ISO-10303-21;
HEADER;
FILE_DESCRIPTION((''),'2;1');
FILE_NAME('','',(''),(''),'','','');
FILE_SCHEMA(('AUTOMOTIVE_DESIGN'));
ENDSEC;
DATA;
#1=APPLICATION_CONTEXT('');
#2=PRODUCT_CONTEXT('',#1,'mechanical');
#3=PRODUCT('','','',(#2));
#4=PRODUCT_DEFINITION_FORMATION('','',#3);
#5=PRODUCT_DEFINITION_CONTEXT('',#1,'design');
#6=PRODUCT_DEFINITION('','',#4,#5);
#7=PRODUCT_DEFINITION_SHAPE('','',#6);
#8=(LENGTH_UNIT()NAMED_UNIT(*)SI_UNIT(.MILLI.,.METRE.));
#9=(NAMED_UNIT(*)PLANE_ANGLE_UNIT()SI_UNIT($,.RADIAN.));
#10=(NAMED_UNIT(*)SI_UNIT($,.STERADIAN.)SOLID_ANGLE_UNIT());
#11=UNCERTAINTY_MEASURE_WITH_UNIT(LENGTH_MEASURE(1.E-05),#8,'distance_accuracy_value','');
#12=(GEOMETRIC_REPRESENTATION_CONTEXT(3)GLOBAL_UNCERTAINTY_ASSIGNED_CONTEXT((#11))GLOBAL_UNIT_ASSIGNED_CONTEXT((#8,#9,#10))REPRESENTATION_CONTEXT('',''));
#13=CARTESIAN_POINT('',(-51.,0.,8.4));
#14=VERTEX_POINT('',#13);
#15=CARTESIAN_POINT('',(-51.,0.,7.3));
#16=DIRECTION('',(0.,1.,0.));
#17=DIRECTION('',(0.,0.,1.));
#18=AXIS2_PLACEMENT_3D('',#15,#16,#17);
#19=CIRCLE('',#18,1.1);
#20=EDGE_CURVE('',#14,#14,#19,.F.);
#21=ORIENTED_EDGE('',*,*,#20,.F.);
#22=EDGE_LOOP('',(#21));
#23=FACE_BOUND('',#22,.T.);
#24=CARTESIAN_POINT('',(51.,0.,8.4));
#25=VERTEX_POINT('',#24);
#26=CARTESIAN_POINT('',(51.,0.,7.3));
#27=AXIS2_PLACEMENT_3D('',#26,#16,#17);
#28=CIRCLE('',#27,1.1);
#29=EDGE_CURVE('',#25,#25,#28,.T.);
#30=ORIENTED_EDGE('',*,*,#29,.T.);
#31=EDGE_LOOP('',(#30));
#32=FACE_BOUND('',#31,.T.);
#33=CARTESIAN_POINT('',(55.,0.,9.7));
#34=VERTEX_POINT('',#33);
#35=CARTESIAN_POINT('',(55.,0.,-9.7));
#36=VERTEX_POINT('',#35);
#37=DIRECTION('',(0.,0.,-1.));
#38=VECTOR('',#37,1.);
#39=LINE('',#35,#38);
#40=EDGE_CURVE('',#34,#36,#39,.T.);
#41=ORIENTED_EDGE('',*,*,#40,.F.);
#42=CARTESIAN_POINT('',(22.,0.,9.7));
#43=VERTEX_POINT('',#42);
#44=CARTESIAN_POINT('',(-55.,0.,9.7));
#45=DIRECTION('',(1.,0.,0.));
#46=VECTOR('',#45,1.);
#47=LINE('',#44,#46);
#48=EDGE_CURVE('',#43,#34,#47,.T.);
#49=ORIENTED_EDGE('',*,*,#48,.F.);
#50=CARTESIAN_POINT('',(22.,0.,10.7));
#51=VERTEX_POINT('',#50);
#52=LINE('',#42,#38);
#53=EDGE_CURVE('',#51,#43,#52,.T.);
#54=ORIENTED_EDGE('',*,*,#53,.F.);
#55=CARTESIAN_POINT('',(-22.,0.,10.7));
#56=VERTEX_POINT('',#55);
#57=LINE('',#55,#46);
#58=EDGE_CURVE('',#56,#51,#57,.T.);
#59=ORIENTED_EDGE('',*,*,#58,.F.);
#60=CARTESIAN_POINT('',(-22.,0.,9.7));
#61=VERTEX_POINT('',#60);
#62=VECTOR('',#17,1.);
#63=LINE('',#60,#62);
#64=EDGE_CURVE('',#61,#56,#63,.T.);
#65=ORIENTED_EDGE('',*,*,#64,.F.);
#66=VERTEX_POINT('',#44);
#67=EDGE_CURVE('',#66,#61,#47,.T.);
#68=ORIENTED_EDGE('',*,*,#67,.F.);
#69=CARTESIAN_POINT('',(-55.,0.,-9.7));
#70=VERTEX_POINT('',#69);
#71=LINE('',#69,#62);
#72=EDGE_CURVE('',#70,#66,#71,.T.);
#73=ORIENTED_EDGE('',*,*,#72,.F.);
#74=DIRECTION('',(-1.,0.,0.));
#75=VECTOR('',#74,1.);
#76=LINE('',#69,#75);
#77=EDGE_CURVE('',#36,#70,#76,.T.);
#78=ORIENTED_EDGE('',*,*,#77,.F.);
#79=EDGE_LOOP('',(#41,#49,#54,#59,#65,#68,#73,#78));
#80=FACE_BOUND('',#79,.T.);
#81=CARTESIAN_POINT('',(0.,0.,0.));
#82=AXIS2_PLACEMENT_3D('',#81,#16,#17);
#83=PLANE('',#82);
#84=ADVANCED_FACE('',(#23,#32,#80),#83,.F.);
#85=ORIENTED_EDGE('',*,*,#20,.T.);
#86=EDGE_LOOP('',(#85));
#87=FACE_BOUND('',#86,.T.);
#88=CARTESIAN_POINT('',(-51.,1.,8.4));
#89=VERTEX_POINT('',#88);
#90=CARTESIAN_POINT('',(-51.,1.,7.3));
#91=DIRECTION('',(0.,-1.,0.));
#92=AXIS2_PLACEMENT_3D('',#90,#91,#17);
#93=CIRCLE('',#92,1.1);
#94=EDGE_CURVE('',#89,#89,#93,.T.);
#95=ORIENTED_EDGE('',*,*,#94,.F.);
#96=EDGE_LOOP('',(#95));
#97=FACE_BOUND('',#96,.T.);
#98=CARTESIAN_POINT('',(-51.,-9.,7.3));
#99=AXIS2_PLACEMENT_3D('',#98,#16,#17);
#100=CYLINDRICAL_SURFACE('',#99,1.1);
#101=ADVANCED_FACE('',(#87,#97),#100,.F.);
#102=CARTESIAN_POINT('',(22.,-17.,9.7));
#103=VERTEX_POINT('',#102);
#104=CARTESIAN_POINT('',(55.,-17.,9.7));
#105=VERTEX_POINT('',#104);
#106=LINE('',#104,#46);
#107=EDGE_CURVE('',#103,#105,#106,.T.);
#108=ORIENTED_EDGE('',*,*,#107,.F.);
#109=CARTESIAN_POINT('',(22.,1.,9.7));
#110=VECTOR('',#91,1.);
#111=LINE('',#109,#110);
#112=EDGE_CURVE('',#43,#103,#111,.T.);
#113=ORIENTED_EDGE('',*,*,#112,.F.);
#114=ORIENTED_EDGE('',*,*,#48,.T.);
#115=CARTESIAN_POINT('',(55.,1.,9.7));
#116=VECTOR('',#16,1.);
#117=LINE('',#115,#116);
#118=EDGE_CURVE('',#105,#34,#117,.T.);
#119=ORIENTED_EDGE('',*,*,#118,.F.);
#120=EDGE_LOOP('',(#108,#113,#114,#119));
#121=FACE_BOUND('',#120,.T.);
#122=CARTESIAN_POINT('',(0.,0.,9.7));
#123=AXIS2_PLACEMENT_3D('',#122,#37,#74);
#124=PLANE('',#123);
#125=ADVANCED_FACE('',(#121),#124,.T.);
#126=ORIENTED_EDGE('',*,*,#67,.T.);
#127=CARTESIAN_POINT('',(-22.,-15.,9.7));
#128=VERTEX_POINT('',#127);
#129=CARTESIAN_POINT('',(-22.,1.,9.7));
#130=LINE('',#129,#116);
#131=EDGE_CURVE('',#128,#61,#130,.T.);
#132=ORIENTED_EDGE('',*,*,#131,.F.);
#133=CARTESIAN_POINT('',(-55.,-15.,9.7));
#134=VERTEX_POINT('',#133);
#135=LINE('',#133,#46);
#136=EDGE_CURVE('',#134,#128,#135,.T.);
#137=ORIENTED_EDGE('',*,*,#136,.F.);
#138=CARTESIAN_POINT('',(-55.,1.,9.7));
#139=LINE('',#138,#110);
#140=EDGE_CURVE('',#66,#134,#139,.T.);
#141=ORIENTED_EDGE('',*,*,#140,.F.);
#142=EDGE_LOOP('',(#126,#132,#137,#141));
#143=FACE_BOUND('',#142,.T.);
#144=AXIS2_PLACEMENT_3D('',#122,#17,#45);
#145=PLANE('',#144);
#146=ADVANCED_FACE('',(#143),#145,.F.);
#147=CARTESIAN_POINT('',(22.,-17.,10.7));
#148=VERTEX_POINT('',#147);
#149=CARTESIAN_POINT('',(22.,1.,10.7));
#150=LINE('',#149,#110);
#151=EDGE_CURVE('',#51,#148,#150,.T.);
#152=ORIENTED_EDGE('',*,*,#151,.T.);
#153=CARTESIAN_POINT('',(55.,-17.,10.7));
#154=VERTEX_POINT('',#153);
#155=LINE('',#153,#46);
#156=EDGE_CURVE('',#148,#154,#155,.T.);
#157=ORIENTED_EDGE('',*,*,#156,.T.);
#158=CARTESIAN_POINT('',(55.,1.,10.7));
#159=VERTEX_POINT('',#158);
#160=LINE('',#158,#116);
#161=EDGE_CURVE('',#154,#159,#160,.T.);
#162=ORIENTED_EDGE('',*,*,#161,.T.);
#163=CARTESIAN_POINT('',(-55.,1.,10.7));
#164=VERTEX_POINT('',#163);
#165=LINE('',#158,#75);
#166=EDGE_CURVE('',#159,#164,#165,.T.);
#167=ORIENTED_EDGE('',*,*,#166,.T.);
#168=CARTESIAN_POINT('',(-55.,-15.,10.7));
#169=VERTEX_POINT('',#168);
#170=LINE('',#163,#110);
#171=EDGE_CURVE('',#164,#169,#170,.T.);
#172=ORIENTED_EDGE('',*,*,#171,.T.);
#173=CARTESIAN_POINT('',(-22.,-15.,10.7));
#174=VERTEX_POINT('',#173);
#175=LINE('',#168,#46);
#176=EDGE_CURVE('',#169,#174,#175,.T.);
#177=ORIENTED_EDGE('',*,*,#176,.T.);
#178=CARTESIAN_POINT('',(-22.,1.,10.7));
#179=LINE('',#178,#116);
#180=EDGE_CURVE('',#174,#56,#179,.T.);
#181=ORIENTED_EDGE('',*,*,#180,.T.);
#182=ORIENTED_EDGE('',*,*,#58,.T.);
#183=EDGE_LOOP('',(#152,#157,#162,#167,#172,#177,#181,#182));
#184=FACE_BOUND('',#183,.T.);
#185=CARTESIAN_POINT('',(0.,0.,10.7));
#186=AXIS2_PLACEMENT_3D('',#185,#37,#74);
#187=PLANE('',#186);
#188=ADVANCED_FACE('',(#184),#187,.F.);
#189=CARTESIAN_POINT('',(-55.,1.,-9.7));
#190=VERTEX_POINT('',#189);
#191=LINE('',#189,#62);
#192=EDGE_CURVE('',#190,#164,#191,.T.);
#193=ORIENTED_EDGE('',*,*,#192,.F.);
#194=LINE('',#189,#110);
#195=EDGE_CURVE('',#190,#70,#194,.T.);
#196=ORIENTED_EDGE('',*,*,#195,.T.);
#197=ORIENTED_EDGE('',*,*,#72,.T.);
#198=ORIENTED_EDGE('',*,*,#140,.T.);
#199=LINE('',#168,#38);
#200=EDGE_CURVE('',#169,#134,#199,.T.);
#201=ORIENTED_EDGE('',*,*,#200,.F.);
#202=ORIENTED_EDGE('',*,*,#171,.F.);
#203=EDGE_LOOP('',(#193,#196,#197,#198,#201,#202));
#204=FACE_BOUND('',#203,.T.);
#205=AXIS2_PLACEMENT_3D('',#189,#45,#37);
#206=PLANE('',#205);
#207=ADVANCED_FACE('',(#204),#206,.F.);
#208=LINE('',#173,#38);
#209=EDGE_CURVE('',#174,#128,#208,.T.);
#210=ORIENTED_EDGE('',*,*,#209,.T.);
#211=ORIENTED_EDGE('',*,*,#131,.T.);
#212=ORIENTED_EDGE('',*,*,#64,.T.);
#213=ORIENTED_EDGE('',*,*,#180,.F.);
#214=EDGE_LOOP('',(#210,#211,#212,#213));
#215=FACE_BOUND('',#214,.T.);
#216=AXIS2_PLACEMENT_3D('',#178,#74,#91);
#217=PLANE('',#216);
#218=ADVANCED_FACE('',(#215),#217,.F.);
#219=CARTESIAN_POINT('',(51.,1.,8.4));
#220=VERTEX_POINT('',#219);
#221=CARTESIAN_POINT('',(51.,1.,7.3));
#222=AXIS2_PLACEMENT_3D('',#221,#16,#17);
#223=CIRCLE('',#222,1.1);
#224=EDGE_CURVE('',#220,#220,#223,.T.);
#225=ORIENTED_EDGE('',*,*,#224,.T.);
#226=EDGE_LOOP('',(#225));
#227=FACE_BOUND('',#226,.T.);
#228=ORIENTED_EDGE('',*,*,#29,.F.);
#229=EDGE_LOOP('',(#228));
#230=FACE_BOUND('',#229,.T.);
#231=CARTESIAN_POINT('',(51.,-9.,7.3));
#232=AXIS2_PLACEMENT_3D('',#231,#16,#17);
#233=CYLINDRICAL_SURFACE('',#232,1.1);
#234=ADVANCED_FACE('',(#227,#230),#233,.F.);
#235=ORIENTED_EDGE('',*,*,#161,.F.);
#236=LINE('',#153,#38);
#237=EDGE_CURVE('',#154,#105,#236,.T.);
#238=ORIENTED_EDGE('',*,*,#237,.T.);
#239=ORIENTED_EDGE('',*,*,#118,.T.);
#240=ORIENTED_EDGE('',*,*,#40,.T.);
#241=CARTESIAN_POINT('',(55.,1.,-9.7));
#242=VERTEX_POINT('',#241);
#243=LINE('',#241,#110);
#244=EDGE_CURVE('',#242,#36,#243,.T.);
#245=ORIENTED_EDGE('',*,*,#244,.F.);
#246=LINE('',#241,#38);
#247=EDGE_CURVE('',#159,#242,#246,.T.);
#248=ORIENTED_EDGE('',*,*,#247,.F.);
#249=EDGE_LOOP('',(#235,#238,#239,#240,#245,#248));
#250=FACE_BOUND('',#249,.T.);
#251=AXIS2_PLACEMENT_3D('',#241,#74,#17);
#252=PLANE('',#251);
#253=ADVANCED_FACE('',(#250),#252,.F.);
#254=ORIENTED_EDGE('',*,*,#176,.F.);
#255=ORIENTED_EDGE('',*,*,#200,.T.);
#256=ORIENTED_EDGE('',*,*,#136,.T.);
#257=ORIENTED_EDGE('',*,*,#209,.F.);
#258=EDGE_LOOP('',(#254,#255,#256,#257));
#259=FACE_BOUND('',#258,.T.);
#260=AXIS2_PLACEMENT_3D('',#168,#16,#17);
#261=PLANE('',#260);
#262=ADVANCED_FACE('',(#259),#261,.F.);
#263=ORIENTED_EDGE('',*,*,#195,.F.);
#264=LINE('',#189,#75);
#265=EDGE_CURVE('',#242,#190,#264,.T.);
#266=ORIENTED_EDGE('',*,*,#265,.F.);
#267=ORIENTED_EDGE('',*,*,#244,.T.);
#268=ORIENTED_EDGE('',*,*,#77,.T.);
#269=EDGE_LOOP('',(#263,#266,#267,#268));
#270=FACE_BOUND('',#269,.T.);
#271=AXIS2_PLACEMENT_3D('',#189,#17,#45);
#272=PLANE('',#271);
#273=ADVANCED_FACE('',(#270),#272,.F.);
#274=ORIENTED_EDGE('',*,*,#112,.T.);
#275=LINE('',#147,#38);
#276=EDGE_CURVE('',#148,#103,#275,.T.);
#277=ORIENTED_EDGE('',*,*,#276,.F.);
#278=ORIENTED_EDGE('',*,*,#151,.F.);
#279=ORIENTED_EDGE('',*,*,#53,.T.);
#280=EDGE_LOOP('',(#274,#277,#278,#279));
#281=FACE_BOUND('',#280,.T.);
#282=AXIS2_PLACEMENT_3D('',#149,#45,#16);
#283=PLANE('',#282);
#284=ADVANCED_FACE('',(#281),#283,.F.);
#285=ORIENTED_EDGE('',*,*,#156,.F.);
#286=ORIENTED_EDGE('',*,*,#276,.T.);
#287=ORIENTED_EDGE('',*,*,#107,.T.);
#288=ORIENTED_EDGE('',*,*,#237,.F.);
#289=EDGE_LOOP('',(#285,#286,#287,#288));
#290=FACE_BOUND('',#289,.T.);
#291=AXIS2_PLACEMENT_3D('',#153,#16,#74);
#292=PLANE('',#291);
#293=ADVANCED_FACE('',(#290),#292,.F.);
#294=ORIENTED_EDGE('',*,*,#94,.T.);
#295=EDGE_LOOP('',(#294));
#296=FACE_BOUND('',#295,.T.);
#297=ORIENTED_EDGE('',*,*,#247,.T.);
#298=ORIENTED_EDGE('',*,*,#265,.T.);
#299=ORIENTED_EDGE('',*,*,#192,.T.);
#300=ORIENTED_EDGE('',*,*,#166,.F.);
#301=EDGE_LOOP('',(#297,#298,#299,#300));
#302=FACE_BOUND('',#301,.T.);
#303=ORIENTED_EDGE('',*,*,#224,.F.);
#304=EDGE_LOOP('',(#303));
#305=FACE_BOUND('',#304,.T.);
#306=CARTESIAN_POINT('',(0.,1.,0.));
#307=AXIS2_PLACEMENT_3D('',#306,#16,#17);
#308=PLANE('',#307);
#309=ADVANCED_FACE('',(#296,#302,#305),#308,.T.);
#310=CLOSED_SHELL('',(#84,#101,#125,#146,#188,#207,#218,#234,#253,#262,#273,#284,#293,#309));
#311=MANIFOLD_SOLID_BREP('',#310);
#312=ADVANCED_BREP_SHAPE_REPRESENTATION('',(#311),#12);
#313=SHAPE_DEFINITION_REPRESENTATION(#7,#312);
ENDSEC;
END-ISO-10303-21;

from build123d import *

# Parameters (mm, degrees)
SKETCH_1_W          = 110
SKETCH_1_H          = 19.4
EXTRUDE_1_DEPTH     = 1
SKETCH_2_W          = 33
SKETCH_2_H          = 18
EXTRUDE_2_DEPTH     = 1
SKETCH_3_W          = 33
SKETCH_3_H          = 16
EXTRUDE_3_DEPTH     = 1
SKETCH_5_W          = 44
SKETCH_5_H          = 1
EXTRUDE_5_DEPTH     = 1
SKETCH_6_R          = 1.1
CUT_EXTRUDE_1_DEPTH = 10


with BuildPart() as part:
    # 草图1 → 凸台-拉伸1 (new body)
    with BuildSketch(Plane(origin=(0, 0, 0), x_dir=(1, 0, 0), z_dir=(0, 1, 0))):
        Rectangle(SKETCH_1_W, SKETCH_1_H)
    extrude(amount=EXTRUDE_1_DEPTH)

    # 草图2 → 凸台-拉伸2 (add)
    with BuildSketch(Plane.XY.offset(9.7)):
        with Locations((38.5, -8)):
            Rectangle(SKETCH_2_W, SKETCH_2_H)
    extrude(amount=EXTRUDE_2_DEPTH)

    # 草图3 → 凸台-拉伸3 (add)
    with BuildSketch(Plane.XY.offset(9.7)):
        with Locations((-38.5, -7)):
            Rectangle(SKETCH_3_W, SKETCH_3_H)
    extrude(amount=EXTRUDE_3_DEPTH)

    # 草图5 → 凸台-拉伸5 (add)
    with BuildSketch(Plane(origin=(0, 1, 0), x_dir=(1, 0, 0), z_dir=(0, 1, 0))):
        with Locations((0, -10.2)):
            Rectangle(SKETCH_5_W, SKETCH_5_H)
    extrude(amount=-EXTRUDE_5_DEPTH)

    # 草图6 → 切除-拉伸1 (cut)
    with BuildSketch(Plane(origin=(0, 1, 0), x_dir=(1, 0, 0), z_dir=(0, 1, 0))):
        with Locations(Location((51, -7.3, 0), (0, 0, 270))):
            Circle(SKETCH_6_R)
    cut_extrude_1 = extrude(amount=-CUT_EXTRUDE_1_DEPTH, mode=Mode.SUBTRACT)

    # 镜向1: 切除-拉伸1 across plane
    add(cut_extrude_1.mirror(Plane(origin=(0, 0, 0), x_dir=(0, 0, 1), z_dir=(1, 0, 0))), mode=Mode.SUBTRACT)


solid = part.part
